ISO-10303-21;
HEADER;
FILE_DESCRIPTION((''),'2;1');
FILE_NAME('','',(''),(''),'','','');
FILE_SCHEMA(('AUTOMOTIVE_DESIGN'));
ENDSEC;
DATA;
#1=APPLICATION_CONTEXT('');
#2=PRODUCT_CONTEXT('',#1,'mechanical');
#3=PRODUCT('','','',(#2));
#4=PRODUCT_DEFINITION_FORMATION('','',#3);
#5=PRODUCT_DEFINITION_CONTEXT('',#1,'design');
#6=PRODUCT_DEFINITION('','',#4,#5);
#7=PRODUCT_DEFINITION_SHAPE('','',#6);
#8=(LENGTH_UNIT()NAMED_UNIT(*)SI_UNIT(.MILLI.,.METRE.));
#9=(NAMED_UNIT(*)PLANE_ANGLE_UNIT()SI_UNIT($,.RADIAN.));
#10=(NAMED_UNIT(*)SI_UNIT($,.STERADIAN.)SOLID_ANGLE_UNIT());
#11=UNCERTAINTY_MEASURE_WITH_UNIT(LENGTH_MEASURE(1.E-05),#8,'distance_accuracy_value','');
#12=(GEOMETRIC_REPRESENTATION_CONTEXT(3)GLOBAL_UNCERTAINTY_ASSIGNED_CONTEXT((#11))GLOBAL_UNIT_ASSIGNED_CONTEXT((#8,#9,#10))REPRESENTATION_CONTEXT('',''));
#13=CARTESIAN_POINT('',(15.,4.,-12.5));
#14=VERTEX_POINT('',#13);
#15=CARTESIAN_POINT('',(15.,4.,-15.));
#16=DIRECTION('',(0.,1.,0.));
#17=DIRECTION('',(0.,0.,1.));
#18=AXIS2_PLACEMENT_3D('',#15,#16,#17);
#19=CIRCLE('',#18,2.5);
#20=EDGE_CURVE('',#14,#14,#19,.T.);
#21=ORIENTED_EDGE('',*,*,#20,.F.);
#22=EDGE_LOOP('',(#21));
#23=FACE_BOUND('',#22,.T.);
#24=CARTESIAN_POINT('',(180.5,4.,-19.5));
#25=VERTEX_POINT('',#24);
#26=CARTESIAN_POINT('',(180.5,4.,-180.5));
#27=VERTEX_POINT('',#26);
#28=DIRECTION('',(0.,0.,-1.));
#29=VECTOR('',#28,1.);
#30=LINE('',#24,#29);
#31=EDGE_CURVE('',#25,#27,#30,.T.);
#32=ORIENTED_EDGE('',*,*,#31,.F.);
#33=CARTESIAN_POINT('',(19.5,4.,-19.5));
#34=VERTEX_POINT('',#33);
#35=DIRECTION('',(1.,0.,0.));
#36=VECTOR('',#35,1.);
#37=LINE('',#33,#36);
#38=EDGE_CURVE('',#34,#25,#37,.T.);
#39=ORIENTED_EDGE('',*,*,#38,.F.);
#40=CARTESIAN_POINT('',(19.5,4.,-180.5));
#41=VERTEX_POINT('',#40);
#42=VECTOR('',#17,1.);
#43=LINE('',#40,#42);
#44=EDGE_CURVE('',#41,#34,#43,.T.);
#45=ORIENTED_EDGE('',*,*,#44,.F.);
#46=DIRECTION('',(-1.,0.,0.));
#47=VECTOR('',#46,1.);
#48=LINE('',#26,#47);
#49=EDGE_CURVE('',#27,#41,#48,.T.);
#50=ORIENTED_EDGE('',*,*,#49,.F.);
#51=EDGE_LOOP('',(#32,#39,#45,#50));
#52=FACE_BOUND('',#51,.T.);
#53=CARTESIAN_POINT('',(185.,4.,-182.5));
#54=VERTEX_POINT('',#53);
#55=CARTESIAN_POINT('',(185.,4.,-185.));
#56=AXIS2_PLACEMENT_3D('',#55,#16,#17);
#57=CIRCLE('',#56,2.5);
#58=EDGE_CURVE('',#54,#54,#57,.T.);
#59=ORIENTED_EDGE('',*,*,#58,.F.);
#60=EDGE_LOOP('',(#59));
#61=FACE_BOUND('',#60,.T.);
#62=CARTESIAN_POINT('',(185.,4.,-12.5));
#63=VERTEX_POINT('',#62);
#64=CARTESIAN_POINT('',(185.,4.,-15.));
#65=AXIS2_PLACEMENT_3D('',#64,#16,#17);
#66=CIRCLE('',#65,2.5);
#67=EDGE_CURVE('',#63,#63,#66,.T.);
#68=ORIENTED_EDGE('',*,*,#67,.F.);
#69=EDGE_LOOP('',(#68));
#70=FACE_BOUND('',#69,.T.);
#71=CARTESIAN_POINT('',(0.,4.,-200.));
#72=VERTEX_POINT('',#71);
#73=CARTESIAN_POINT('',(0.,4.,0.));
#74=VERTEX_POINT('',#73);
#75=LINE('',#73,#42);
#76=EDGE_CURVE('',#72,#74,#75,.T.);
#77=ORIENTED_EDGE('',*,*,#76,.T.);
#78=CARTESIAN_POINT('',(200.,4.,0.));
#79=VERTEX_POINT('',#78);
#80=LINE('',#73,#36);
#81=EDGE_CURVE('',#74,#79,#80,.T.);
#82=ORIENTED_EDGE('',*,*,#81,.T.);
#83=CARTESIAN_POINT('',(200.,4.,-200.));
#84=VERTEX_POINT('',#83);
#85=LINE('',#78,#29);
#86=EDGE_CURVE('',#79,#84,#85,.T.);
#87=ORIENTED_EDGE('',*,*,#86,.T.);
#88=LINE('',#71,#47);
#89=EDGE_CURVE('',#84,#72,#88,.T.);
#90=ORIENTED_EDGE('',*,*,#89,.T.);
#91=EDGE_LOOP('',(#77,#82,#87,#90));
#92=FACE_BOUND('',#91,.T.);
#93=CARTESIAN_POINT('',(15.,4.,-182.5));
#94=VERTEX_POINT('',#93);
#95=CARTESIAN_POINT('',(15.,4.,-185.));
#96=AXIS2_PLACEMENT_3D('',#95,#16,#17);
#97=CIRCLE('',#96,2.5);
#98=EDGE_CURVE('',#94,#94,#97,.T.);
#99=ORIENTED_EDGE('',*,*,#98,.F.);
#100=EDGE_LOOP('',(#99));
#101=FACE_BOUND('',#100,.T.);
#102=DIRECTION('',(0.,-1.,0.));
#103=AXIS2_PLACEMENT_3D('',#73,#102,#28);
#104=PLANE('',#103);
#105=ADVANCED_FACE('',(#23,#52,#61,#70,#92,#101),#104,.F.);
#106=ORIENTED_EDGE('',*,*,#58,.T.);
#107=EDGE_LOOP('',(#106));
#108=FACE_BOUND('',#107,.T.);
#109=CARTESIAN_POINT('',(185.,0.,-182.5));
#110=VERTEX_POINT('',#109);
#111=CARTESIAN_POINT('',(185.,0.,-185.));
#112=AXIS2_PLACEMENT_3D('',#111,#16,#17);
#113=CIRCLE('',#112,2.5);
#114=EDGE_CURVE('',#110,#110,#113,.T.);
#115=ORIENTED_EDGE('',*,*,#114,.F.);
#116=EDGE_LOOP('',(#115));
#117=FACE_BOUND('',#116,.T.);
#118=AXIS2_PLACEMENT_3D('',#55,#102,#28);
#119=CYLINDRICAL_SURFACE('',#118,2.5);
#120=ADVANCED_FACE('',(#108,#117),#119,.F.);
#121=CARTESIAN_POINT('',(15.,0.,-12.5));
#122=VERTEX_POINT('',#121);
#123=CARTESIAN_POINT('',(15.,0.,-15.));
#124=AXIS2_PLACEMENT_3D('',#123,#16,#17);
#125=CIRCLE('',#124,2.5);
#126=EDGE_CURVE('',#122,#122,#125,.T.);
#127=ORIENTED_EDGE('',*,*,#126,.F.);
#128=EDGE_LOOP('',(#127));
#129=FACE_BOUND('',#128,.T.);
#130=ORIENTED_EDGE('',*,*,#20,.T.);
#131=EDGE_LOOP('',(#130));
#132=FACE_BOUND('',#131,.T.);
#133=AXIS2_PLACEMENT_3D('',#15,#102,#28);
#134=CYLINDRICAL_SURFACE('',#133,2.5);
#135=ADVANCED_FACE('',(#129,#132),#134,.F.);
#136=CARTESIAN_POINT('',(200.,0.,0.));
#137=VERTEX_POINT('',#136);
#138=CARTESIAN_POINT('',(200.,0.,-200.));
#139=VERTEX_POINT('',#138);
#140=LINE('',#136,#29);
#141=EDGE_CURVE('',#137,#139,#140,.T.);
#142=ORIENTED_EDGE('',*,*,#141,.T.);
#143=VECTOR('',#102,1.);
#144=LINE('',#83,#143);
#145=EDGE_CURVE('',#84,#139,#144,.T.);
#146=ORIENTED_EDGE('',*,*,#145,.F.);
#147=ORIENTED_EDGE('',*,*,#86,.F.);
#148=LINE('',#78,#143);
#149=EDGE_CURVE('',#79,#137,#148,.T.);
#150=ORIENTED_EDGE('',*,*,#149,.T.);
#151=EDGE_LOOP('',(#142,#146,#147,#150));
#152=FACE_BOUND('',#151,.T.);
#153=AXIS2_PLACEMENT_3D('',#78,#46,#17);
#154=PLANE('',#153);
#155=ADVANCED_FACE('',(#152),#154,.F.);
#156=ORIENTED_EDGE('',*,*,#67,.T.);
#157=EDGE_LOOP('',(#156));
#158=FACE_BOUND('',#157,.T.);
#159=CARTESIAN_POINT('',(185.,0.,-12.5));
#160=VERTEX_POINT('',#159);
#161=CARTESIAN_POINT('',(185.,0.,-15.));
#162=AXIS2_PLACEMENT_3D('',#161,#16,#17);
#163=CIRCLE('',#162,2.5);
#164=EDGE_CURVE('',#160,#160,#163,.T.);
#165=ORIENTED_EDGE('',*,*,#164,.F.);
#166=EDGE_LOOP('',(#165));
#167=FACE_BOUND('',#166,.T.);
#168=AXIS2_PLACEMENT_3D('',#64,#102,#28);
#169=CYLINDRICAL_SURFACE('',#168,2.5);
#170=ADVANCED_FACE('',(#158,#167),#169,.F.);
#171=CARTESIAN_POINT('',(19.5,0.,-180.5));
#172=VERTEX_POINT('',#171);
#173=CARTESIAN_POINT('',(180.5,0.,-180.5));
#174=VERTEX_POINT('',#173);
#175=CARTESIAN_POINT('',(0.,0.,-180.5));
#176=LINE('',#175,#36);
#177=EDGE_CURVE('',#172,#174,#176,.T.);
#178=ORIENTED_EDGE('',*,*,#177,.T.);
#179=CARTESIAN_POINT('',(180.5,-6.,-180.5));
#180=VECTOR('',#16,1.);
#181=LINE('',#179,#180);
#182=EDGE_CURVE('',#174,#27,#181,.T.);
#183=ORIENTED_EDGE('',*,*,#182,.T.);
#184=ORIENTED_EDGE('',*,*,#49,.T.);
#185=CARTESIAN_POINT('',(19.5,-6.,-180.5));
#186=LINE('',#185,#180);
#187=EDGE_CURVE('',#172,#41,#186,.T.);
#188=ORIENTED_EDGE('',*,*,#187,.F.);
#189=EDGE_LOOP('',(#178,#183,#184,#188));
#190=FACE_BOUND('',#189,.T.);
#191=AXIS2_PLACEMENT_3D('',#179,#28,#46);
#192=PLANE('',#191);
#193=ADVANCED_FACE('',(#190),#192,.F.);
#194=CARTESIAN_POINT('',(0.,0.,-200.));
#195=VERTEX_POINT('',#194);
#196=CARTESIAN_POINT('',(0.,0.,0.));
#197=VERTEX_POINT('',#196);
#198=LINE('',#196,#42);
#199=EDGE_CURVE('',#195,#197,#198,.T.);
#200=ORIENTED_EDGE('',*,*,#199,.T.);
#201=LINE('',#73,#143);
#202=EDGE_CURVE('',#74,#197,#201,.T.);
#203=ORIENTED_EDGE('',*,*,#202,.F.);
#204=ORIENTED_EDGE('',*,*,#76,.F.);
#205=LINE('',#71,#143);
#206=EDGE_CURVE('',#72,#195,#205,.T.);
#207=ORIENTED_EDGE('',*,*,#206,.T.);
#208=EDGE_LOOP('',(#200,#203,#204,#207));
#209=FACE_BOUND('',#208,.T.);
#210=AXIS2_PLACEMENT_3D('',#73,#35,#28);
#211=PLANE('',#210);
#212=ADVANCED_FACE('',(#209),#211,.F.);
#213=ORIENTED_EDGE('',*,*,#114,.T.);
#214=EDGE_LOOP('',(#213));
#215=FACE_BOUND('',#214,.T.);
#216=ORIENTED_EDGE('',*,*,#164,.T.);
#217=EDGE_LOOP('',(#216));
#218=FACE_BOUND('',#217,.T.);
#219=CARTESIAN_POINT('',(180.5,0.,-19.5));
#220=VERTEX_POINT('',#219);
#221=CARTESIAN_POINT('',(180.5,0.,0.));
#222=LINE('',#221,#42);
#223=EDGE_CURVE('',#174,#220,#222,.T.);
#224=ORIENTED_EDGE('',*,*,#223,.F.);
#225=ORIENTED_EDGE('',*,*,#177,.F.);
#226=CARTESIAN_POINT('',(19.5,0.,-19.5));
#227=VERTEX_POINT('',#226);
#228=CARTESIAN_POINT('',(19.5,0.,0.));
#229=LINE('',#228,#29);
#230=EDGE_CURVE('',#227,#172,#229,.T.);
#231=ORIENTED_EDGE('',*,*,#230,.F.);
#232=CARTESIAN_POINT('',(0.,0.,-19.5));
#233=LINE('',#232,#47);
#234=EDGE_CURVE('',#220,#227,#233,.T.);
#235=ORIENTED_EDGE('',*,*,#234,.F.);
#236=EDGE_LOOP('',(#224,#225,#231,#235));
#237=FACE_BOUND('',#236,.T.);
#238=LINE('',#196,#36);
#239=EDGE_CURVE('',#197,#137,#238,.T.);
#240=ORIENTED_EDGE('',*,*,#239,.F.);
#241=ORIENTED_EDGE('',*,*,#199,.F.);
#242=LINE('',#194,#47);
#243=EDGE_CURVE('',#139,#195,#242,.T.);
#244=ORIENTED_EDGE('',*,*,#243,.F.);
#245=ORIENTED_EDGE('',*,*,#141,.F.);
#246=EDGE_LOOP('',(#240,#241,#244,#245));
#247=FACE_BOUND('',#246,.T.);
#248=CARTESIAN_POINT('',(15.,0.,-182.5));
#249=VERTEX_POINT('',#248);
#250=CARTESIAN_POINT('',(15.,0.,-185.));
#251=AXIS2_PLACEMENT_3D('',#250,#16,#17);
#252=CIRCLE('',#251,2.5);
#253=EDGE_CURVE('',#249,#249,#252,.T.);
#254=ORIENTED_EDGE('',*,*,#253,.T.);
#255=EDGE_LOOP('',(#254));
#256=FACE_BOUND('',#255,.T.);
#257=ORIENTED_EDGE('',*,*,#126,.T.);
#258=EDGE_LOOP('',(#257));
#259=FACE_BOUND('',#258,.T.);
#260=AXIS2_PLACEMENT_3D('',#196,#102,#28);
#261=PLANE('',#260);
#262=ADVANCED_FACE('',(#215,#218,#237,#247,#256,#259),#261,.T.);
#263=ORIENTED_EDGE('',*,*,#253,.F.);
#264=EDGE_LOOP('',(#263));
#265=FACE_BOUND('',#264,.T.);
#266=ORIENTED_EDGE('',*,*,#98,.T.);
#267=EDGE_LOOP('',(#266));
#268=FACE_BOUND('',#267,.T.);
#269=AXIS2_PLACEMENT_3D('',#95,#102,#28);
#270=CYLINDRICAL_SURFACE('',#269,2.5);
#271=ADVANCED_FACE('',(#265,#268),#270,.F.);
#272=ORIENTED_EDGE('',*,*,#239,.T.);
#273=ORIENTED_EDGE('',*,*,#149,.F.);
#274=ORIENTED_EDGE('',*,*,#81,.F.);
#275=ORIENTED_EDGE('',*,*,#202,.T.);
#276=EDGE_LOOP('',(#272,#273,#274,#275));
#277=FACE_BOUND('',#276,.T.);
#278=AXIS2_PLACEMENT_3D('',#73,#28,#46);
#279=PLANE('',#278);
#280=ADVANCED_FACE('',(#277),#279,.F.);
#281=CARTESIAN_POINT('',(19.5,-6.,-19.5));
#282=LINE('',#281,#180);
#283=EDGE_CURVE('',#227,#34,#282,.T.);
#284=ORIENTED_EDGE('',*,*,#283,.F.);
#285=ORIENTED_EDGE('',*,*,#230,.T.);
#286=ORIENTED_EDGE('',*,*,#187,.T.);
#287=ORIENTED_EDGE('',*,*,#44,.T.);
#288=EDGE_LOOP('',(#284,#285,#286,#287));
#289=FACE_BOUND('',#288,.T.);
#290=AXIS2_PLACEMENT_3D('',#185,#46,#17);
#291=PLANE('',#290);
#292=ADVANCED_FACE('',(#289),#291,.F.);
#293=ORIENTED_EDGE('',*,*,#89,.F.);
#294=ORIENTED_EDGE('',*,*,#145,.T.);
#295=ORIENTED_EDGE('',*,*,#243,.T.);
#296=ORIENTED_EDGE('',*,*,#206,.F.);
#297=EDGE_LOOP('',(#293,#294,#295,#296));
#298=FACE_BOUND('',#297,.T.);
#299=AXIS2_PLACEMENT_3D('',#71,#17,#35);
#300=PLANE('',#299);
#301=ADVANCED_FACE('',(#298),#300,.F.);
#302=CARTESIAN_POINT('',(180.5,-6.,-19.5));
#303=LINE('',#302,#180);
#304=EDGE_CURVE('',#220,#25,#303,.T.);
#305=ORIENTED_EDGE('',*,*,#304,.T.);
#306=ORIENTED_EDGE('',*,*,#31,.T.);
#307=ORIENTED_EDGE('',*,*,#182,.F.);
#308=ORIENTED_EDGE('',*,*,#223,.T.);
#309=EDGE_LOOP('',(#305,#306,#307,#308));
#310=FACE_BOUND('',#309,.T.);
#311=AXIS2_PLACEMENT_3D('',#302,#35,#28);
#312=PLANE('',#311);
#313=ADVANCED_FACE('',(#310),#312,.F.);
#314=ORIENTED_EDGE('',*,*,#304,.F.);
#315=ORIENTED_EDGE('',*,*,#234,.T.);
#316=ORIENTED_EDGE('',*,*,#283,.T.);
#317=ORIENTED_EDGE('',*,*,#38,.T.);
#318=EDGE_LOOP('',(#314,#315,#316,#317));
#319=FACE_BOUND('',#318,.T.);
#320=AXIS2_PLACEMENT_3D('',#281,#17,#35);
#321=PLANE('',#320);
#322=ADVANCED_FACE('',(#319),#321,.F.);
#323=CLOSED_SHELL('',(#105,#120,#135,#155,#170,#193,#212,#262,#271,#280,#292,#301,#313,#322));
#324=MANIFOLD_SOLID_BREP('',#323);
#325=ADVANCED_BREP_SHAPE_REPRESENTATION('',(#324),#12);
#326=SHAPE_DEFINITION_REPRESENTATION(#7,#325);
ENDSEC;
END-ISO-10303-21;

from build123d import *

# Parameters (mm, degrees)
CROQUIS1_W              = 200
CROQUIS1_H              = 200
CROQUIS1_R              = 2.5
SALIENTE_EXTRUIR1_DEPTH = 4
CROQUIS2_W              = 158
CROQUIS2_H              = 158
CORTAR_EXTRUIR1_DEPTH   = 10
CROQUIS3_W              = 161
CROQUIS3_H              = 161
CORTAR_EXTRUIR2_DEPTH   = 10


with BuildPart() as part:
    # Croquis1 → Saliente-Extruir1 (new body)
    with BuildSketch(Plane(origin=(0, 0, 0), x_dir=(1, 0, 0), z_dir=(0, 1, 0))):
        with Locations((100, 100)):
            Rectangle(CROQUIS1_W, CROQUIS1_H)
        with Locations(Location((15, 185, 0), (0, 0, 270))):
            Circle(CROQUIS1_R, mode=Mode.SUBTRACT)
        with Locations(Location((185, 185, 0), (0, 0, 270))):
            Circle(CROQUIS1_R, mode=Mode.SUBTRACT)
        with Locations(Location((185, 15, 0), (0, 0, 270))):
            Circle(CROQUIS1_R, mode=Mode.SUBTRACT)
        with Locations(Location((15, 15, 0), (0, 0, 270))):
            Circle(CROQUIS1_R, mode=Mode.SUBTRACT)
    extrude(amount=SALIENTE_EXTRUIR1_DEPTH)

    # Croquis2 → Cortar-Extruir1 (cut)
    with BuildSketch(Plane(origin=(0, 4, 0), x_dir=(1, 0, 0), z_dir=(0, 1, 0))):
        with Locations((100, 100)):
            Rectangle(CROQUIS2_W, CROQUIS2_H)
    extrude(amount=-CORTAR_EXTRUIR1_DEPTH, mode=Mode.SUBTRACT)

    # Croquis3 → Cortar-Extruir2 (cut)
    with BuildSketch(Plane(origin=(0, 4, 0), x_dir=(1, 0, 0), z_dir=(0, 1, 0))):
        with Locations((100, 100)):
            Rectangle(CROQUIS3_W, CROQUIS3_H)
    extrude(amount=-CORTAR_EXTRUIR2_DEPTH, mode=Mode.SUBTRACT)


solid = part.part
